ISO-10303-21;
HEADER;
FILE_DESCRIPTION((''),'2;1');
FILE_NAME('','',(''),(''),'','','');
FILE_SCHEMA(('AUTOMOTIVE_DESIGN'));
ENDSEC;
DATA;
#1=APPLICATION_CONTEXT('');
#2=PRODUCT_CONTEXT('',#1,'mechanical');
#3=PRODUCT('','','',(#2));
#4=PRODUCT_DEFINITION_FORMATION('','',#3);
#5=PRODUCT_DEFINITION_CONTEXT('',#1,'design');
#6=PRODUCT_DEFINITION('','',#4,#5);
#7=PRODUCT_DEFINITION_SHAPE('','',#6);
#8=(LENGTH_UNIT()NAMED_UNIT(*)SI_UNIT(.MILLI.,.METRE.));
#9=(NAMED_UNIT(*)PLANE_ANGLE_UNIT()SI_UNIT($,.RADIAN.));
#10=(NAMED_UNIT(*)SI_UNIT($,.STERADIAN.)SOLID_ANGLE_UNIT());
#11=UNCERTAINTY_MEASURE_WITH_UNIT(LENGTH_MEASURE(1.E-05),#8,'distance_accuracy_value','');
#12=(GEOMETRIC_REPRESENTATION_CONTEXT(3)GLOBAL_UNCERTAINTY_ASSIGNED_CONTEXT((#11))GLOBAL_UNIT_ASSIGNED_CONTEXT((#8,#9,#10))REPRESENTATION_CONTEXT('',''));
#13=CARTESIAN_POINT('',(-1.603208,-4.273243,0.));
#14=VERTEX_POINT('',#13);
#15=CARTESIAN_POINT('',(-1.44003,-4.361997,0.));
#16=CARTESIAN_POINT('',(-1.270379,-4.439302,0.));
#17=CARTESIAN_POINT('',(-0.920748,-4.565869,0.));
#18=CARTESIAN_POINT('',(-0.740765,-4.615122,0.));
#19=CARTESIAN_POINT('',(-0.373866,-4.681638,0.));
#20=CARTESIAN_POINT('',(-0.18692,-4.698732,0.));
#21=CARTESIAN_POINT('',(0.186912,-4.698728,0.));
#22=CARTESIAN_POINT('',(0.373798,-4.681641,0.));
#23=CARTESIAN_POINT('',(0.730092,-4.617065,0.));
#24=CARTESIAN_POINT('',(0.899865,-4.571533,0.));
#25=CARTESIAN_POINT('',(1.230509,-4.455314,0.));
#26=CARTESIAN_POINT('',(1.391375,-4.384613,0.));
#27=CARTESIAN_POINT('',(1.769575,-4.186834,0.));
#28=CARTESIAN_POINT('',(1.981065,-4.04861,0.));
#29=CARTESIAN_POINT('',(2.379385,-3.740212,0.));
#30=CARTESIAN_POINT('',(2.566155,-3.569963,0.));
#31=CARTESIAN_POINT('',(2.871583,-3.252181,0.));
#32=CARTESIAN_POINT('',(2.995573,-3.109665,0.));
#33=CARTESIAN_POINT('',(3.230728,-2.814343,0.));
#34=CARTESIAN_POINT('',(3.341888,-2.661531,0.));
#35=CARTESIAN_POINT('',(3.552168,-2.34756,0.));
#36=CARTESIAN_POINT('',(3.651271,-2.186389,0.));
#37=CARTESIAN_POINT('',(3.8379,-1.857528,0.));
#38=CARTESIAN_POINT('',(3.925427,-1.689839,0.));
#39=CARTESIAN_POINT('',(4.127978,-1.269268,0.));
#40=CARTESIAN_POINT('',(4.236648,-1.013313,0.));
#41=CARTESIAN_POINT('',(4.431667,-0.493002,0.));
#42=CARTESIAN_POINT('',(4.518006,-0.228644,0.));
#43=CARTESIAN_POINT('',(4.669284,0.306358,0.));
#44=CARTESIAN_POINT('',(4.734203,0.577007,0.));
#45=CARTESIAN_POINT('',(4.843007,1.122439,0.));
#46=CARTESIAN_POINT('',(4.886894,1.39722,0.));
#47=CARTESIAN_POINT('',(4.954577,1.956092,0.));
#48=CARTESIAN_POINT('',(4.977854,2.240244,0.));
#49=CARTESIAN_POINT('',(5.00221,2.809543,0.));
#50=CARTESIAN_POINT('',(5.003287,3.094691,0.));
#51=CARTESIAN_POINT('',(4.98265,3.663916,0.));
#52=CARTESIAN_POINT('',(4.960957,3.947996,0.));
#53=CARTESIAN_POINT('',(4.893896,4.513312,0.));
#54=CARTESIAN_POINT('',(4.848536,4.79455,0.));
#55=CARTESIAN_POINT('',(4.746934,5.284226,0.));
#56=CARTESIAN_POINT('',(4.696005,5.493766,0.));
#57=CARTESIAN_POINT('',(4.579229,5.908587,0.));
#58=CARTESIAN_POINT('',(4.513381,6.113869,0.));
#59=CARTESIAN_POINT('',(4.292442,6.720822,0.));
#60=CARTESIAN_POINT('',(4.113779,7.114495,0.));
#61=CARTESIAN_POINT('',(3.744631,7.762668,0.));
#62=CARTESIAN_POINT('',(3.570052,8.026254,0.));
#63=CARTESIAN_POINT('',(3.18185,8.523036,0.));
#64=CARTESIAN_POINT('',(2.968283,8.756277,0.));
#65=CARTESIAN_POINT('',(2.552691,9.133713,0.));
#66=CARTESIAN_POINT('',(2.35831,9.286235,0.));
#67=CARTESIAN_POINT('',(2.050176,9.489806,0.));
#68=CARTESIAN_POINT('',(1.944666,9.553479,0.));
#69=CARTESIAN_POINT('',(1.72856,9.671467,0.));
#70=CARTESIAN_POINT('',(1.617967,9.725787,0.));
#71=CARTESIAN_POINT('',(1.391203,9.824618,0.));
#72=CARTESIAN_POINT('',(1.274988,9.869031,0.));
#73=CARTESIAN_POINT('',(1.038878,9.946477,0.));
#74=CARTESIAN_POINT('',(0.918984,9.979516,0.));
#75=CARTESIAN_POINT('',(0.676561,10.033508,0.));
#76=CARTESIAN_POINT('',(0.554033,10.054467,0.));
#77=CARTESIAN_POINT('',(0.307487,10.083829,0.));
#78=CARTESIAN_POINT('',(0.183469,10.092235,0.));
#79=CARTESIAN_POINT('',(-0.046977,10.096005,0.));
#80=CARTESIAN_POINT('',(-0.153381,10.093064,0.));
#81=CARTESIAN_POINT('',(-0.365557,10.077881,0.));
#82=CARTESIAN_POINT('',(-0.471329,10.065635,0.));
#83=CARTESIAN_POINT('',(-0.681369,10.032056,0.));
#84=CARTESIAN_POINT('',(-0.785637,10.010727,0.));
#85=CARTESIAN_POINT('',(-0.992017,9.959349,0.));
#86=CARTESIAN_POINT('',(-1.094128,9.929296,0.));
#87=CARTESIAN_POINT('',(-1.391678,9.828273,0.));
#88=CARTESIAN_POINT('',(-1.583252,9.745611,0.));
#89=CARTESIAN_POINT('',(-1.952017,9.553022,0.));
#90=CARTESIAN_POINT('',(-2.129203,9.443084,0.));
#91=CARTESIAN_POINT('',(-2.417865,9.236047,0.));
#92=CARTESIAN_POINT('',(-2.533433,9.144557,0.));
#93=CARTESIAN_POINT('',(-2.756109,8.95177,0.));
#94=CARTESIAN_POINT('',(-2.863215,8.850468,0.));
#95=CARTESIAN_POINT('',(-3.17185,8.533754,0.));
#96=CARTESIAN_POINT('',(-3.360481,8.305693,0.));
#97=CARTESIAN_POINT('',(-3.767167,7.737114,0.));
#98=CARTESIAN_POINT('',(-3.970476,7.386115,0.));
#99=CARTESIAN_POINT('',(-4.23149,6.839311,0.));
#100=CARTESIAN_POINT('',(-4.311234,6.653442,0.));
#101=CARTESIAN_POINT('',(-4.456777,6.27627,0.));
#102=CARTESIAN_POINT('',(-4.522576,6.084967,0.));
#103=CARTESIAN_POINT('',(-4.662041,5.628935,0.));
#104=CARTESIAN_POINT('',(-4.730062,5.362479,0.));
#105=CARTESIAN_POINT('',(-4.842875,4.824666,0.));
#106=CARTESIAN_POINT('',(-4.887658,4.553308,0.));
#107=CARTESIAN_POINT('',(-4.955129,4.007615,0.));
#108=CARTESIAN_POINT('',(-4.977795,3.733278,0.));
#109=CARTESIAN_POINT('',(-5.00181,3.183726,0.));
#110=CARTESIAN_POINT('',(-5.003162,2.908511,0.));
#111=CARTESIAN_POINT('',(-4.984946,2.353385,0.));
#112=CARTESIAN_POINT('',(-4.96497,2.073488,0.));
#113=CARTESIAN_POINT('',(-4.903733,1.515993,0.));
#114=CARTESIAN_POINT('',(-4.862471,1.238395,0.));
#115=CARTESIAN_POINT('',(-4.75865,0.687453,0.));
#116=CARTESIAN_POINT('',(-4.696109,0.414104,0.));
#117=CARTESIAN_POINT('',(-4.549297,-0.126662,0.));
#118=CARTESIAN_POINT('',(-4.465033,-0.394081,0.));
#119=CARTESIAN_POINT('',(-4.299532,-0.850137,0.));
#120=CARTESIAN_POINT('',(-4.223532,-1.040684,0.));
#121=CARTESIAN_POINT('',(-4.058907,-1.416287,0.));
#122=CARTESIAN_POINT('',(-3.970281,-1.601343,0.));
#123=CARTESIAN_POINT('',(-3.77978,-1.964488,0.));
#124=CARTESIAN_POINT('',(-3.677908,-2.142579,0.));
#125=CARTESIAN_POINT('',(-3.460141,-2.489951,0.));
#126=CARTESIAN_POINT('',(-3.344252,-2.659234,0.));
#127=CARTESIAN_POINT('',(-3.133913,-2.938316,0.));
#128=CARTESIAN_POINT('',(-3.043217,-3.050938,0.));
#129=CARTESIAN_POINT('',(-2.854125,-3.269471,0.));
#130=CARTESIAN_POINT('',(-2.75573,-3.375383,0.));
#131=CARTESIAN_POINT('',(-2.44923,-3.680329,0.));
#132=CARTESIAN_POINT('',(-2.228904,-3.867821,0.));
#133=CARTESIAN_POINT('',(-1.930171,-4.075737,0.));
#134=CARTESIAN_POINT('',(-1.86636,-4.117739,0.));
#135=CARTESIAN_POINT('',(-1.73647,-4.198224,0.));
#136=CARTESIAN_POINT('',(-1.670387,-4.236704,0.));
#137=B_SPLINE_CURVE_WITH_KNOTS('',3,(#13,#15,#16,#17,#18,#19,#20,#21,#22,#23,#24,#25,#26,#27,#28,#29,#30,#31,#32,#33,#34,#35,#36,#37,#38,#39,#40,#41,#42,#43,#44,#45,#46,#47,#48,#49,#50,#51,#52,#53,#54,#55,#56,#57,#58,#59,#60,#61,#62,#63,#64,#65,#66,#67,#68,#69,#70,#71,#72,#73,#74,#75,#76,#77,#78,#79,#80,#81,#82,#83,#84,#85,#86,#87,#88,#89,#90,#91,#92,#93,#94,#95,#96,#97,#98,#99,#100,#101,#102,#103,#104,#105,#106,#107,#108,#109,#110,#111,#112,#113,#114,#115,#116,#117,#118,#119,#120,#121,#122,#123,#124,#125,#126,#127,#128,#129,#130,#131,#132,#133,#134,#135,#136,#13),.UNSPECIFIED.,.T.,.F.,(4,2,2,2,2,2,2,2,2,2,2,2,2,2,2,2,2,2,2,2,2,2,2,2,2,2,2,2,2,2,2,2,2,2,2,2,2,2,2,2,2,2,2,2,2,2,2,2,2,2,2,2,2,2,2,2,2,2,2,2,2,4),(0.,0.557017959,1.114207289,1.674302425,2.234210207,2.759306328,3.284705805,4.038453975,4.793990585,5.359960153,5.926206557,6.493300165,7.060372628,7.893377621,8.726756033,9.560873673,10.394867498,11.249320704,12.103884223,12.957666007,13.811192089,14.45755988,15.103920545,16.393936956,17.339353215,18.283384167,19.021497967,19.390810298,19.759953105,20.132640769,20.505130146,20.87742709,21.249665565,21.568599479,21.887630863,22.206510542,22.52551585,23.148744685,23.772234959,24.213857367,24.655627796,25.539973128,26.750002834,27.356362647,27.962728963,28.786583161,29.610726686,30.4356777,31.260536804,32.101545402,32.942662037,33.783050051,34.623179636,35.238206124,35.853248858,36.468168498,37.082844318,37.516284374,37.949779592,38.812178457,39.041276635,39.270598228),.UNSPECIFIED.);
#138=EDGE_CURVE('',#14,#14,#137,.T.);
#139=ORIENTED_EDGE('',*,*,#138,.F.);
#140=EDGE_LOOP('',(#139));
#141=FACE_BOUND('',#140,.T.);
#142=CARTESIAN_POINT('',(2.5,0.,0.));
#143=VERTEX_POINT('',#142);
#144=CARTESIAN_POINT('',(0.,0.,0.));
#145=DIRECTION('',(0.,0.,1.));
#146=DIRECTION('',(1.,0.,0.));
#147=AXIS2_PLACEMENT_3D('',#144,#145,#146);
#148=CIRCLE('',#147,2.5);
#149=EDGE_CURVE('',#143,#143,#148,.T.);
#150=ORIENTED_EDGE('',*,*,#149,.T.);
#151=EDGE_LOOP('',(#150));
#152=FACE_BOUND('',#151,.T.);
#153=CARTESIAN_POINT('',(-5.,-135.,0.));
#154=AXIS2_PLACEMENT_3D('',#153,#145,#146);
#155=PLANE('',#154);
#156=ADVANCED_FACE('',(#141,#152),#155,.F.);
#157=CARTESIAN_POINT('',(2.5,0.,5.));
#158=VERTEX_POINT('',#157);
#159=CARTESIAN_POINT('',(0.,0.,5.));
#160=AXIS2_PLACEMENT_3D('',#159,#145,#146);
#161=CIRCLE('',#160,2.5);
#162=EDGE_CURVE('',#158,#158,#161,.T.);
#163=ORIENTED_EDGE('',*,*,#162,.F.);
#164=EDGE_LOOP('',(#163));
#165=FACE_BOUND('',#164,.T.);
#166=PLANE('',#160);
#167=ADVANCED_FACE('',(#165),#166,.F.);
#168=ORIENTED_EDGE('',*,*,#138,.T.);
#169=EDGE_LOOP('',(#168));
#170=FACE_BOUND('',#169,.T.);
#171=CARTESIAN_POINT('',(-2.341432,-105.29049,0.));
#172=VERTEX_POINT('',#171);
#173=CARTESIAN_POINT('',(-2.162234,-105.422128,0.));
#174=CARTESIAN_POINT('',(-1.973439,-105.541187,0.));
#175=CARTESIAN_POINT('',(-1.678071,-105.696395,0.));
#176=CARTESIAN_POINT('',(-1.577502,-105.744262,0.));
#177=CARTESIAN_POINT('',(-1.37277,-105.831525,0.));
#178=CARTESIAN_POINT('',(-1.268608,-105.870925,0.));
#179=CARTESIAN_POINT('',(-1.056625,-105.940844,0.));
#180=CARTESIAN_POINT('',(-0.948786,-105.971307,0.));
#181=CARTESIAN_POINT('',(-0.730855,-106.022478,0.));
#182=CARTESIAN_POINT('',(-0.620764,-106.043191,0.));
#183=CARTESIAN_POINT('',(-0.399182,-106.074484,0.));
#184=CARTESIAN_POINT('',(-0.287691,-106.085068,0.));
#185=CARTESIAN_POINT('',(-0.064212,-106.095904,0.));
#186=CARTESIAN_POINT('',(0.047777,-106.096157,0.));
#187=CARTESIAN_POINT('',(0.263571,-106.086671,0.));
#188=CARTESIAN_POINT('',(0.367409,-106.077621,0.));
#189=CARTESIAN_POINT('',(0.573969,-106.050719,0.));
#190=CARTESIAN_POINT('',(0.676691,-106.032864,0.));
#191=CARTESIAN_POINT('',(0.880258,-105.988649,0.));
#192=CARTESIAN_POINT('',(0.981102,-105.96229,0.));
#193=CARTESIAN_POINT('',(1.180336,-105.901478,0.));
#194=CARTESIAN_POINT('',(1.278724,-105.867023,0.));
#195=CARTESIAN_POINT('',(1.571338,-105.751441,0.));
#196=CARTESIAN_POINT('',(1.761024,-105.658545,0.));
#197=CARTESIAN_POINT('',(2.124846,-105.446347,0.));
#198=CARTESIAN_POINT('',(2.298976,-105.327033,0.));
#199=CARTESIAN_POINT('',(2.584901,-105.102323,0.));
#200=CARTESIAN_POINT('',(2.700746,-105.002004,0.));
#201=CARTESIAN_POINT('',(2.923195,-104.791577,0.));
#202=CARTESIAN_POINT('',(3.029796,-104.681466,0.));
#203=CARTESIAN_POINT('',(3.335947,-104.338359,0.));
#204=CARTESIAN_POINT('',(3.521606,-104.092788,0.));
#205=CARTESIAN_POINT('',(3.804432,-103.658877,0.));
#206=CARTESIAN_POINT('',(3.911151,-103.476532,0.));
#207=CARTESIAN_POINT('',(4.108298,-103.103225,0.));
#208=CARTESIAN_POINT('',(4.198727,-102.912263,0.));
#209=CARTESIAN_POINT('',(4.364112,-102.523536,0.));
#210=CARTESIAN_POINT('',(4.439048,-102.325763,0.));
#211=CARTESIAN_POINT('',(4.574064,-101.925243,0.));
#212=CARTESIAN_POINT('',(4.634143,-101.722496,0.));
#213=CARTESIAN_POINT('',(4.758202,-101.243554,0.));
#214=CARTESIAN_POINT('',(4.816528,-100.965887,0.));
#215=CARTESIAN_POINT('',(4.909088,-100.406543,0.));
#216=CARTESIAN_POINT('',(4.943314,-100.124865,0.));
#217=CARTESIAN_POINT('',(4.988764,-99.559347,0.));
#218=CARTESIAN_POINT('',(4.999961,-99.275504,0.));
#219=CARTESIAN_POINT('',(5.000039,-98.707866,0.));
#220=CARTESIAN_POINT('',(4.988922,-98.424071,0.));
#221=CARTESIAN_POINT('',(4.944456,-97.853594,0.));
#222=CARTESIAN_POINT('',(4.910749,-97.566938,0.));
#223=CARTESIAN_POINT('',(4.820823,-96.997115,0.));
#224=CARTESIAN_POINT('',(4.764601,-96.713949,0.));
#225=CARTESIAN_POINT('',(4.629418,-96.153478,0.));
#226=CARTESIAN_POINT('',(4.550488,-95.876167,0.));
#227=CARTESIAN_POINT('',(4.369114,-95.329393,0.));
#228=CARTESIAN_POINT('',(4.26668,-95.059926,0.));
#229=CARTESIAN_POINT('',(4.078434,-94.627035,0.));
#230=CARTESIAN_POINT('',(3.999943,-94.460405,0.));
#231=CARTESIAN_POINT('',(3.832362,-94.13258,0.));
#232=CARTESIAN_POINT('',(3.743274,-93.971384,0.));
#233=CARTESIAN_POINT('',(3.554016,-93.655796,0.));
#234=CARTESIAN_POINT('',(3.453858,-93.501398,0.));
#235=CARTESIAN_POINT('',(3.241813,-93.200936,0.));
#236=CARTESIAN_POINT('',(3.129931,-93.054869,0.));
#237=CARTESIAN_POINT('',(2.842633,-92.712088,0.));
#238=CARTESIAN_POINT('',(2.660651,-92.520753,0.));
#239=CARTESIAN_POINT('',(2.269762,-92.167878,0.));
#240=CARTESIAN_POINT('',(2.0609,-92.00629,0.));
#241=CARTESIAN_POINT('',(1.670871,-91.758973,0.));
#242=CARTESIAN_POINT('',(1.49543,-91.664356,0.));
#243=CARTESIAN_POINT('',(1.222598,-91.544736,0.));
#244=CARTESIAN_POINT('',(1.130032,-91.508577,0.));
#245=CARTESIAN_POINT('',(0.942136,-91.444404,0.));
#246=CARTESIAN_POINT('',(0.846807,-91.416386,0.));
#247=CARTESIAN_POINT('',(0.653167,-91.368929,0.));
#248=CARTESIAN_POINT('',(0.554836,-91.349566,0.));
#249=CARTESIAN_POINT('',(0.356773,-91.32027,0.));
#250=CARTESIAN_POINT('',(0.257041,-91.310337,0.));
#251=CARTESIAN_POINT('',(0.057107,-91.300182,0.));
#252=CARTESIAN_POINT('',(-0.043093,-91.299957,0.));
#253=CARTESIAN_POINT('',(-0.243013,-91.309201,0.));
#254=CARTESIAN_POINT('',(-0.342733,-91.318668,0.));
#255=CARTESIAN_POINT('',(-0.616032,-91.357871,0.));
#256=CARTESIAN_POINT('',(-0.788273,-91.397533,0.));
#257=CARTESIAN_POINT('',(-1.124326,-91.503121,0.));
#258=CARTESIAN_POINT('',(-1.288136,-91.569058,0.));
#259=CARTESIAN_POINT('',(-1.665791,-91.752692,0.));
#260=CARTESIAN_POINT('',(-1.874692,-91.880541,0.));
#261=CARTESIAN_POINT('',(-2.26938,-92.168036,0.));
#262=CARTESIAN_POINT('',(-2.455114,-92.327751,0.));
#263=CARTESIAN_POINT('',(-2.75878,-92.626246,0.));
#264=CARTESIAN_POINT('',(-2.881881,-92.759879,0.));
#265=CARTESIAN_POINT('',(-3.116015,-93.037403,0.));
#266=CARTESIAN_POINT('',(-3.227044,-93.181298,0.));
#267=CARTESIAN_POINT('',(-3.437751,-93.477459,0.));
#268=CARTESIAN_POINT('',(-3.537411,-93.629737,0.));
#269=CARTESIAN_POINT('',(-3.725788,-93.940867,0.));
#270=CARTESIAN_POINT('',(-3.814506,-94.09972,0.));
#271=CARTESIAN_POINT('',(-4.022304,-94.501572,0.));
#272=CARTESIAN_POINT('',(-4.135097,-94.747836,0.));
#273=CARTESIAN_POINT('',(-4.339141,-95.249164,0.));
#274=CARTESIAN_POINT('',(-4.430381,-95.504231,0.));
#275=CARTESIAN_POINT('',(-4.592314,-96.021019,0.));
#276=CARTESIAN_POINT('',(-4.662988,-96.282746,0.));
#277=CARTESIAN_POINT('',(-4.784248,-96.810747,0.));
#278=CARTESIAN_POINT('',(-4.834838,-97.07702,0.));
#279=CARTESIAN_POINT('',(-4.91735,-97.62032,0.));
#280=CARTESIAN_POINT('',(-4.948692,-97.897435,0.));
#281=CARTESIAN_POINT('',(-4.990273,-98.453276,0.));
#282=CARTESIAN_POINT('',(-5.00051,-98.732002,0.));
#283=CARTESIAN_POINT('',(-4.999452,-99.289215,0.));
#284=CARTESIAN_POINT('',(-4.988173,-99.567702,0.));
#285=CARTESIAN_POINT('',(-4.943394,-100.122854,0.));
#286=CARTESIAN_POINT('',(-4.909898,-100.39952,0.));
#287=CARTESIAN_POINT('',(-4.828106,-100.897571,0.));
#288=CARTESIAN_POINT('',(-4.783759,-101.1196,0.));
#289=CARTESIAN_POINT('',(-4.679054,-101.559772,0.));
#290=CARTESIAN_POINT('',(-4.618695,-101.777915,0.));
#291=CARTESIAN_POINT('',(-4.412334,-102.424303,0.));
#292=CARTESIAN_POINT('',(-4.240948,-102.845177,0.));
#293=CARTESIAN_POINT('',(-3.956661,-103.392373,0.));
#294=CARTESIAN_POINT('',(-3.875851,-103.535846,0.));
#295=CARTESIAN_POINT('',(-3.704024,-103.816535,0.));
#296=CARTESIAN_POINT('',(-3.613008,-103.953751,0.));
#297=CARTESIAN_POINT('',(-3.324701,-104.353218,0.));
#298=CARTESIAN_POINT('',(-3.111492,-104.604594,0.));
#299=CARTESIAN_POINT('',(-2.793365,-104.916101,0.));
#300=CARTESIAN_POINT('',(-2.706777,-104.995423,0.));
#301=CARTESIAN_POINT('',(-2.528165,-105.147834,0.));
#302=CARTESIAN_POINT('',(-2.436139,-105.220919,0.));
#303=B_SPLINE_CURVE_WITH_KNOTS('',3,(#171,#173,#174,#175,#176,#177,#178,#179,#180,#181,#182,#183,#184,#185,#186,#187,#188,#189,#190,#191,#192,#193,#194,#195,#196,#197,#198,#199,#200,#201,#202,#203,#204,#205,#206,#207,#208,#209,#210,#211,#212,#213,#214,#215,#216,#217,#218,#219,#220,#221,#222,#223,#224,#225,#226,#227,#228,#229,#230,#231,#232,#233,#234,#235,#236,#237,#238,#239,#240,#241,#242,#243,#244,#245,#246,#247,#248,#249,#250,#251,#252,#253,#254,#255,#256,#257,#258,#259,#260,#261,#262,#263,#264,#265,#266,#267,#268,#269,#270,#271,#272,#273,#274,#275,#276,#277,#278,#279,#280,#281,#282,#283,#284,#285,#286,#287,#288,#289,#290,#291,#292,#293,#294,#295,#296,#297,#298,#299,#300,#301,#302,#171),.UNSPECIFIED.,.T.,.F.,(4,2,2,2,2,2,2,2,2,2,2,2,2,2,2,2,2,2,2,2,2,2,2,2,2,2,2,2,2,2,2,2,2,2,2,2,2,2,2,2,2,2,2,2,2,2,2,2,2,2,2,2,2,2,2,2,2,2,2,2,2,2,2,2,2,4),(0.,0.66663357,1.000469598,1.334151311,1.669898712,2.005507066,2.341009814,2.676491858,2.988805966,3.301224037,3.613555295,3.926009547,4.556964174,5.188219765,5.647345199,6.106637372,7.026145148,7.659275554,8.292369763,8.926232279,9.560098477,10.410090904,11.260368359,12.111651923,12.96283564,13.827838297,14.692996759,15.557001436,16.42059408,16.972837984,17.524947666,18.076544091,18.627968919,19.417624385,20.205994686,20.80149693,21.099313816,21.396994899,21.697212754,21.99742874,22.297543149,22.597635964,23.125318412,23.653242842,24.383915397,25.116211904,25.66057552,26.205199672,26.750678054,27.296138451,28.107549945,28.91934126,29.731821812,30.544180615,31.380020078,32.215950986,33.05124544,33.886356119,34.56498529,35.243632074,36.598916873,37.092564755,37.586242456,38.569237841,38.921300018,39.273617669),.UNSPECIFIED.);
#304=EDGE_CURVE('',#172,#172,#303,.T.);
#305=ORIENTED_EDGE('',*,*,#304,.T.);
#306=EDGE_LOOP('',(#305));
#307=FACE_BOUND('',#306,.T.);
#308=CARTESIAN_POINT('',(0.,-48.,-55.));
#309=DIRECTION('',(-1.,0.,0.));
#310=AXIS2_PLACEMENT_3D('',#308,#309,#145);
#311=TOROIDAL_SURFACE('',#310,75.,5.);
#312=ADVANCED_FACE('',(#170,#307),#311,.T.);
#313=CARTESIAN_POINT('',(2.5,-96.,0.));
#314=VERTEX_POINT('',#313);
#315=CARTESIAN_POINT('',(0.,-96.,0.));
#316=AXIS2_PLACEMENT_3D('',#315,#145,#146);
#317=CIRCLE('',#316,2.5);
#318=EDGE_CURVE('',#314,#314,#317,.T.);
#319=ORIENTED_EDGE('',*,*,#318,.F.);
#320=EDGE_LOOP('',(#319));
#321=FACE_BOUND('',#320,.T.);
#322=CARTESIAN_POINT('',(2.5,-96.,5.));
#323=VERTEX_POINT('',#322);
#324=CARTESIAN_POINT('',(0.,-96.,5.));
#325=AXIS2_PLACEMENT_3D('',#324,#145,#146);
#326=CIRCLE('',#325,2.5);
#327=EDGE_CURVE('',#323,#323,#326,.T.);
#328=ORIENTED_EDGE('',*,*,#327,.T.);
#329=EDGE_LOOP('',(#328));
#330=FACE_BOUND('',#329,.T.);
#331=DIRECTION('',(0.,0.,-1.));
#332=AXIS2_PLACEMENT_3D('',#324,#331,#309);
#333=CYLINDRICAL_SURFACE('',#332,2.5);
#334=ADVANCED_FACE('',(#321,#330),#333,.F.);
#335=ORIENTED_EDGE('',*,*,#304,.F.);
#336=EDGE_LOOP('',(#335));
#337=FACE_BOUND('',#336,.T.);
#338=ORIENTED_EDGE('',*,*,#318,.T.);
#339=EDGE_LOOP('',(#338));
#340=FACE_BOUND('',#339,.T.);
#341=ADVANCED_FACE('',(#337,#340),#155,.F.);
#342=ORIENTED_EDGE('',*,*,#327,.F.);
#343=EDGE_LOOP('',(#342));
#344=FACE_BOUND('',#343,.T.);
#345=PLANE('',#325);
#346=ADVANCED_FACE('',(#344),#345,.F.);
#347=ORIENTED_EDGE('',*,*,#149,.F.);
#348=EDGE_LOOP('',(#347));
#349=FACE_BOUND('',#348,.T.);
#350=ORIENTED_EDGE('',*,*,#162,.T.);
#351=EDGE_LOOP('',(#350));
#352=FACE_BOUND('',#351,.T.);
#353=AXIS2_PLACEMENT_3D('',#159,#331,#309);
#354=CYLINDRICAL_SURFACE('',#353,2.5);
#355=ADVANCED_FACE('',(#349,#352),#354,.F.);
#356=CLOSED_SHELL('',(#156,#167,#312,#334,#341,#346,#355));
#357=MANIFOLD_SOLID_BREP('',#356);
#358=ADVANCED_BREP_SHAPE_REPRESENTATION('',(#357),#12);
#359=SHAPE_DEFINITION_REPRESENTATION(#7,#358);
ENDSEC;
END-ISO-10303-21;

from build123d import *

# Parameters (mm, degrees)
SKETCH1_R               = 5
CUT_EXTRUDE1_DEPTH      = 187.102122647
CUT_EXTRUDE1_DEPTH_BACK = 187.102122647
SKETCH2_W               = 140
SKETCH2_H               = 170
SKETCH4_R               = 2.5
CUT_EXTRUDE2_DEPTH      = 5


with BuildPart() as part:
    # Sketch1 → Revolve1 (revolve)
    with BuildSketch(Plane.XZ.offset(48)):
        with Locations((0, 20)):
            Circle(SKETCH1_R)
    revolve(axis=Axis((-43.255842548, -48, -55), (1, 0, 0)))

    # Sketch2 → Cut-Extrude1 (cut, two sides: drawn at the far end of the back side and taken through both)
    with BuildSketch(Plane(origin=(0, 0, 0), x_dir=(0, 0, -1), z_dir=(1, 0, 0)).offset(-CUT_EXTRUDE1_DEPTH_BACK)):
        with Locations((70, -50)):
            Rectangle(SKETCH2_W, SKETCH2_H)
    extrude(amount=CUT_EXTRUDE1_DEPTH + CUT_EXTRUDE1_DEPTH_BACK, mode=Mode.SUBTRACT)

    # Sketch4 → Cut-Extrude2 (cut)
    with BuildSketch(Plane.XY):
        Circle(SKETCH4_R)
        with Locations((0, -96)):
            Circle(SKETCH4_R)
    extrude(amount=CUT_EXTRUDE2_DEPTH, mode=Mode.SUBTRACT)


solid = part.part
